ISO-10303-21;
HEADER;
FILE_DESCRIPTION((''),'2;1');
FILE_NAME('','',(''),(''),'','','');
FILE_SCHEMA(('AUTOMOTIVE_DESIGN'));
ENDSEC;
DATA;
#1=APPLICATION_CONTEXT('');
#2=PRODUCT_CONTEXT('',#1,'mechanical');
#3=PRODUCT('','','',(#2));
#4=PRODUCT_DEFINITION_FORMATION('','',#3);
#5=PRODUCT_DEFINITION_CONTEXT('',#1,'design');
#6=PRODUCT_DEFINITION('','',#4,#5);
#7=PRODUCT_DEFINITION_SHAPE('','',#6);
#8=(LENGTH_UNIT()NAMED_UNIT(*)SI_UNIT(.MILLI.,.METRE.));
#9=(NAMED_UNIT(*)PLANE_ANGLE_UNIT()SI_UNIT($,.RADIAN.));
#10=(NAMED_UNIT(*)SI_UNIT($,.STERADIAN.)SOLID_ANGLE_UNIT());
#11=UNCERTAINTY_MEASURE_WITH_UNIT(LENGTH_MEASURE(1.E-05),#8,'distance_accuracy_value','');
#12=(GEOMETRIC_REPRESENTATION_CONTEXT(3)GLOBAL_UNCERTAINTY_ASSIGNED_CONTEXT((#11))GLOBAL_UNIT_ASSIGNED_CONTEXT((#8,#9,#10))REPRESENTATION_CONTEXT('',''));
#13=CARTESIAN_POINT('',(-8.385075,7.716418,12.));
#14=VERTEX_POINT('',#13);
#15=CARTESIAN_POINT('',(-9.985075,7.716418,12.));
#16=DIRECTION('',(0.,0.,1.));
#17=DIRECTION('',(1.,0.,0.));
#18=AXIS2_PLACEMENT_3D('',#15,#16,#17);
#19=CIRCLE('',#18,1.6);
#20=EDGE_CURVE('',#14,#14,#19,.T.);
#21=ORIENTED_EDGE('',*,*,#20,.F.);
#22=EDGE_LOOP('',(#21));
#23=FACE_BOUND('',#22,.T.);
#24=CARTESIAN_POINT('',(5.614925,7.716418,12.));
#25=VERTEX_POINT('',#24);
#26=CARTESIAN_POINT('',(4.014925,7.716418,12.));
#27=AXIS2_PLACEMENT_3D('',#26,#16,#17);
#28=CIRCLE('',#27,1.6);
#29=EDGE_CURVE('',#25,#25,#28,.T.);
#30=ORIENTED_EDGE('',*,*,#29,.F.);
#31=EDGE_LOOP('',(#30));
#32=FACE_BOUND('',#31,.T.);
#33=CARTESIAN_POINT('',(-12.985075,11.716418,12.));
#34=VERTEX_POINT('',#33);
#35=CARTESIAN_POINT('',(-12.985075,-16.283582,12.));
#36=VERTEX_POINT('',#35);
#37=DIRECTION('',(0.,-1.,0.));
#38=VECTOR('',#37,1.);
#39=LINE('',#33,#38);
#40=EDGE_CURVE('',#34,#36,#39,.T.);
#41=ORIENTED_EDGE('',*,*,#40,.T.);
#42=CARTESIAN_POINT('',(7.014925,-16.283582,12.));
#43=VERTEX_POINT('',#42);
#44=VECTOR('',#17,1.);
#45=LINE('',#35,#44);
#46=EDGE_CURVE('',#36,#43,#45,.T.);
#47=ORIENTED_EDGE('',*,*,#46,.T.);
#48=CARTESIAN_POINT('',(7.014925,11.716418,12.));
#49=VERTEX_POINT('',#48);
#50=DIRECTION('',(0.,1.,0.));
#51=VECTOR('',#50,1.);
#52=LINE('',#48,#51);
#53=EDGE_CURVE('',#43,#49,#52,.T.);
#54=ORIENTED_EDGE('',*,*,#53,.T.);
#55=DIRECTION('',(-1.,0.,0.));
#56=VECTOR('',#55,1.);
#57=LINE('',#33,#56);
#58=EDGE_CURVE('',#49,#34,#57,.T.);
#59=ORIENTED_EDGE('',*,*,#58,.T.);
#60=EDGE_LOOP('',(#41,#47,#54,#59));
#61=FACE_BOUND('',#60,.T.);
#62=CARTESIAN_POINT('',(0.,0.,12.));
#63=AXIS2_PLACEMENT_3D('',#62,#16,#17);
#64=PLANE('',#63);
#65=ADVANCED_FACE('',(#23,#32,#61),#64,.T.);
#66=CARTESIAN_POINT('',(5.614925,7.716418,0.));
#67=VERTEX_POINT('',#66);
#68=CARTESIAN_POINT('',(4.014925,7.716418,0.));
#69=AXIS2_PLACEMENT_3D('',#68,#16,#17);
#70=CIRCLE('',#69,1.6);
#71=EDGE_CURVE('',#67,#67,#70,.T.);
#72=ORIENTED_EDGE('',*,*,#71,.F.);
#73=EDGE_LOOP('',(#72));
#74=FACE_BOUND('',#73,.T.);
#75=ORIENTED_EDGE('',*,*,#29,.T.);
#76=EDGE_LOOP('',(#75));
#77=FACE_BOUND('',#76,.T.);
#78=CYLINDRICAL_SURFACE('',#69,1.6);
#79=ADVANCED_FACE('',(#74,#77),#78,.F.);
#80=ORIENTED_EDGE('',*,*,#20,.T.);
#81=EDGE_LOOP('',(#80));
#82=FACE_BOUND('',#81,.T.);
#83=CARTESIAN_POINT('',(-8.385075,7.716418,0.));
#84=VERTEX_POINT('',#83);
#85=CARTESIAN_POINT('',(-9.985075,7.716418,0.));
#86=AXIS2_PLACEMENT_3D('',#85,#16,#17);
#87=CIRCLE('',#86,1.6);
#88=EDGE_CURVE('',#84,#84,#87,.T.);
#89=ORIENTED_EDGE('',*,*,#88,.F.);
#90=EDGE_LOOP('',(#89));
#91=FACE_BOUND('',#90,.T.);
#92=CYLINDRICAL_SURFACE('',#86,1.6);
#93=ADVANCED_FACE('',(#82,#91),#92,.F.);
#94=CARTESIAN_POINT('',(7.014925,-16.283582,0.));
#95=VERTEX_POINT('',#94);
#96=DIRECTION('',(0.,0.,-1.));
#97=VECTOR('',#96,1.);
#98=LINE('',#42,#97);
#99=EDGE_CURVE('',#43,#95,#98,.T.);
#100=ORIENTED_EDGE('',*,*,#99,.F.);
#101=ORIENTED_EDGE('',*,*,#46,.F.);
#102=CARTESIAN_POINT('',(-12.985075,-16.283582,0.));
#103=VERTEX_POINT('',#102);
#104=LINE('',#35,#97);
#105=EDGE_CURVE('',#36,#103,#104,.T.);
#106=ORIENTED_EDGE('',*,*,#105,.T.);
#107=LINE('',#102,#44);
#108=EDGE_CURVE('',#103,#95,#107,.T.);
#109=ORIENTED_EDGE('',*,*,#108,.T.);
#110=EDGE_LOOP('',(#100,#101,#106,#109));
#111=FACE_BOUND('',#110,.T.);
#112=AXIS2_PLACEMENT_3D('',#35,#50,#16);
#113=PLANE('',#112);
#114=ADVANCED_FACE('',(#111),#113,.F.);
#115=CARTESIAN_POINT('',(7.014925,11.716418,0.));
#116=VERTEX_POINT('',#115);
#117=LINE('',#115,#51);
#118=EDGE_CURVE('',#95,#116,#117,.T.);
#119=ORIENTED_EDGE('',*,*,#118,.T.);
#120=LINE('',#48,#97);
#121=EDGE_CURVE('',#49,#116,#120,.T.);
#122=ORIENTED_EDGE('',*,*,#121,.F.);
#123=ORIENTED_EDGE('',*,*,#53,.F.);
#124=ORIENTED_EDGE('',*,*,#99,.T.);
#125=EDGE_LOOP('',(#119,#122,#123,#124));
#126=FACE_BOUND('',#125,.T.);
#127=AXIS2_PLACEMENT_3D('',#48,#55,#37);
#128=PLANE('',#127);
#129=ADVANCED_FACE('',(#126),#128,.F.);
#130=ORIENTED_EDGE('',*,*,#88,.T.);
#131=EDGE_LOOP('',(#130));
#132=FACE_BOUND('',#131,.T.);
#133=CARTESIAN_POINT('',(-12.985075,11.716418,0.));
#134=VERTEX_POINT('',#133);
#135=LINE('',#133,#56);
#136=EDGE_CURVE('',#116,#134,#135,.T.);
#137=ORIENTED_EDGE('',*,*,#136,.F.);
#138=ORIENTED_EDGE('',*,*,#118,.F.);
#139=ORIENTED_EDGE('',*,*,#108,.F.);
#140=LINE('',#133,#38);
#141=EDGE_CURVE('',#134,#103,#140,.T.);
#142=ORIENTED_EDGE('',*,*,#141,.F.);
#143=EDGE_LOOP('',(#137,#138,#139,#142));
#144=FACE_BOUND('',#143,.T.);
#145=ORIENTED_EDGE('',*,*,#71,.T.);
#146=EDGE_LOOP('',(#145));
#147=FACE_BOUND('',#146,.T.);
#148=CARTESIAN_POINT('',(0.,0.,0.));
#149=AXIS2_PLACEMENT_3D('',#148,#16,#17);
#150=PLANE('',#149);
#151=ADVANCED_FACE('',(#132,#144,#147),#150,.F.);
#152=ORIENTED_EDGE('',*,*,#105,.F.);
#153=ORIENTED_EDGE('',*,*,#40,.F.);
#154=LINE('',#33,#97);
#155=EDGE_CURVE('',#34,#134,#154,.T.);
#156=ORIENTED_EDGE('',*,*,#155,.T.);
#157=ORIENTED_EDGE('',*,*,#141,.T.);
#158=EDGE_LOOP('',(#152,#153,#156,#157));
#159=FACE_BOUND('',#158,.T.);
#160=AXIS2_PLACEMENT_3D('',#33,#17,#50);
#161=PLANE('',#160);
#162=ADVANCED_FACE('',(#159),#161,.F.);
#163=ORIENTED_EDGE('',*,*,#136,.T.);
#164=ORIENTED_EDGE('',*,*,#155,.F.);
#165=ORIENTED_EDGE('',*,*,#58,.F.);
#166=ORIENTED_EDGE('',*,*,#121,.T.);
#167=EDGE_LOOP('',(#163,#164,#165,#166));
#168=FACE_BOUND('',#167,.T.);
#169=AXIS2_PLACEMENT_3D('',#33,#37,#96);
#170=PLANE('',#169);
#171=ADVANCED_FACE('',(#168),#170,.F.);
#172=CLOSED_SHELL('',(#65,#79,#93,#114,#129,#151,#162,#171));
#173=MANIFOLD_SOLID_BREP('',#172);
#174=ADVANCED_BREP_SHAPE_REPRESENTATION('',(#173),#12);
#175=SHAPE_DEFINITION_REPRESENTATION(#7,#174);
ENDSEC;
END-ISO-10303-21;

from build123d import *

# Parameters (mm, degrees)
SKETCH_1_W          = 20
SKETCH_1_H          = 28
EXTRUDE_1_DEPTH     = 12
SKETCH_2_R          = 1.6
CUT_EXTRUDE_1_DEPTH = 13


with BuildPart() as part:
    # 草图1 → 凸台-拉伸1 (new body)
    with BuildSketch(Plane.XY):
        with Locations((-2.985074627, -2.28358209)):
            Rectangle(SKETCH_1_W, SKETCH_1_H)
    extrude(amount=EXTRUDE_1_DEPTH)

    # 草图2 → 切除-拉伸1 (cut, through all)
    with BuildSketch(Plane.XY.offset(12)):
        with Locations((-9.985074627, 7.71641791)):
            Circle(SKETCH_2_R)
        with Locations((4.014925373, 7.71641791)):
            Circle(SKETCH_2_R)
    extrude(amount=-CUT_EXTRUDE_1_DEPTH, mode=Mode.SUBTRACT)


solid = part.part
